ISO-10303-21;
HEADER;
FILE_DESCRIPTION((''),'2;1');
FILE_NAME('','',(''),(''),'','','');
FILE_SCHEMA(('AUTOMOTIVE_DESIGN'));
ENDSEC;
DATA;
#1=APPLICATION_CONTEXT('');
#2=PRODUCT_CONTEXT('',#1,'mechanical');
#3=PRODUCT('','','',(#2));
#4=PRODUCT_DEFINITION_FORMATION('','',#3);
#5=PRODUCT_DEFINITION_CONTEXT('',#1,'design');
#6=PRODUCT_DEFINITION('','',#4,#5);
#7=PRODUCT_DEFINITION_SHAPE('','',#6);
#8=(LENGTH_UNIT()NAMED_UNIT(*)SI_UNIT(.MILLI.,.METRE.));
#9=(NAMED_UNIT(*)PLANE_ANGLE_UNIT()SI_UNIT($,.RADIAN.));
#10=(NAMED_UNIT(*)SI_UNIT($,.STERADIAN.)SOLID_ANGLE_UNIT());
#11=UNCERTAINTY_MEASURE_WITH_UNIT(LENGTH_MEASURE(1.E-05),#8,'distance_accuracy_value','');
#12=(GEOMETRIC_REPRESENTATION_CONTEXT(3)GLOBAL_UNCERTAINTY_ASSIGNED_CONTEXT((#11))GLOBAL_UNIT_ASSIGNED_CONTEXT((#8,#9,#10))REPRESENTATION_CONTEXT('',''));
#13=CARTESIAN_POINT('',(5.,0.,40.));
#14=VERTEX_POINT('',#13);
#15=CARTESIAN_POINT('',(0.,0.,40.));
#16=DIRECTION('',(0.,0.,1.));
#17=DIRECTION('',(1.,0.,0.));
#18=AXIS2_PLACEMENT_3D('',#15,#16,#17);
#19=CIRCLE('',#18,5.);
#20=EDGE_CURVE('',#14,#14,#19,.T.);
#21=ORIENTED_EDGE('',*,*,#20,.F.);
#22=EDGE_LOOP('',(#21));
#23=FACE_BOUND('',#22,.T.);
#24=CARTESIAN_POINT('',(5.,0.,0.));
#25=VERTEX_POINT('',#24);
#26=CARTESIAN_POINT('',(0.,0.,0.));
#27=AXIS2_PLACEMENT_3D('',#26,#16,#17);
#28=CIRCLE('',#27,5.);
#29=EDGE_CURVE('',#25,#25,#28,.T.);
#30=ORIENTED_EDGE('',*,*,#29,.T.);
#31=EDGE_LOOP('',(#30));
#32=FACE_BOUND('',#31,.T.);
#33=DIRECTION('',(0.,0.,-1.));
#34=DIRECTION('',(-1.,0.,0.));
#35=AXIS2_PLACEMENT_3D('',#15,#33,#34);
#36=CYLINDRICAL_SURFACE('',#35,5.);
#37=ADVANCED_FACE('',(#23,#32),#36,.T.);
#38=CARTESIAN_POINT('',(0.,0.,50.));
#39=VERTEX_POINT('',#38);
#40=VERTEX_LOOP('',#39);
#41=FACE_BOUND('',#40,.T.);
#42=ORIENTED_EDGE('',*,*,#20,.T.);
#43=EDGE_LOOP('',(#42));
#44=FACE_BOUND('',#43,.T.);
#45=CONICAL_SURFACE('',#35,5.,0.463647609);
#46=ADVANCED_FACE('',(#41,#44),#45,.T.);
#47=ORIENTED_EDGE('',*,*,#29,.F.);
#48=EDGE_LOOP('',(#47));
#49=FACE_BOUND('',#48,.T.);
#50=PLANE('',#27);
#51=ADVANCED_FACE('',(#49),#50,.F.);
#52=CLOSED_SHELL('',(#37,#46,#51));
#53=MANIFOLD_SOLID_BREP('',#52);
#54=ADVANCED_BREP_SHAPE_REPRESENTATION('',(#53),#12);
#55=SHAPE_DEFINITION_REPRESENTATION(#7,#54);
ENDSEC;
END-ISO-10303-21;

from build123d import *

# Parameters (mm, degrees)
SKETCH1_R           = 5
BOSS_EXTRUDE1_DEPTH = 40


with BuildPart() as part:
    # Sketch1 → Boss-Extrude1 (new body)
    with BuildSketch(Plane.XY):
        Circle(SKETCH1_R)
    extrude(amount=BOSS_EXTRUDE1_DEPTH)

    # Sketch2 → Revolve1 (revolve)
    with BuildSketch(Plane(origin=(0, 0, 0), x_dir=(1, 0, 0), z_dir=(0, 1, 0))):
        Polygon((0, -40), (-5, -40), (0, -50), align=None)
    revolve(axis=Axis((0, 0, 40), (0, 0, 1)))


solid = part.part
